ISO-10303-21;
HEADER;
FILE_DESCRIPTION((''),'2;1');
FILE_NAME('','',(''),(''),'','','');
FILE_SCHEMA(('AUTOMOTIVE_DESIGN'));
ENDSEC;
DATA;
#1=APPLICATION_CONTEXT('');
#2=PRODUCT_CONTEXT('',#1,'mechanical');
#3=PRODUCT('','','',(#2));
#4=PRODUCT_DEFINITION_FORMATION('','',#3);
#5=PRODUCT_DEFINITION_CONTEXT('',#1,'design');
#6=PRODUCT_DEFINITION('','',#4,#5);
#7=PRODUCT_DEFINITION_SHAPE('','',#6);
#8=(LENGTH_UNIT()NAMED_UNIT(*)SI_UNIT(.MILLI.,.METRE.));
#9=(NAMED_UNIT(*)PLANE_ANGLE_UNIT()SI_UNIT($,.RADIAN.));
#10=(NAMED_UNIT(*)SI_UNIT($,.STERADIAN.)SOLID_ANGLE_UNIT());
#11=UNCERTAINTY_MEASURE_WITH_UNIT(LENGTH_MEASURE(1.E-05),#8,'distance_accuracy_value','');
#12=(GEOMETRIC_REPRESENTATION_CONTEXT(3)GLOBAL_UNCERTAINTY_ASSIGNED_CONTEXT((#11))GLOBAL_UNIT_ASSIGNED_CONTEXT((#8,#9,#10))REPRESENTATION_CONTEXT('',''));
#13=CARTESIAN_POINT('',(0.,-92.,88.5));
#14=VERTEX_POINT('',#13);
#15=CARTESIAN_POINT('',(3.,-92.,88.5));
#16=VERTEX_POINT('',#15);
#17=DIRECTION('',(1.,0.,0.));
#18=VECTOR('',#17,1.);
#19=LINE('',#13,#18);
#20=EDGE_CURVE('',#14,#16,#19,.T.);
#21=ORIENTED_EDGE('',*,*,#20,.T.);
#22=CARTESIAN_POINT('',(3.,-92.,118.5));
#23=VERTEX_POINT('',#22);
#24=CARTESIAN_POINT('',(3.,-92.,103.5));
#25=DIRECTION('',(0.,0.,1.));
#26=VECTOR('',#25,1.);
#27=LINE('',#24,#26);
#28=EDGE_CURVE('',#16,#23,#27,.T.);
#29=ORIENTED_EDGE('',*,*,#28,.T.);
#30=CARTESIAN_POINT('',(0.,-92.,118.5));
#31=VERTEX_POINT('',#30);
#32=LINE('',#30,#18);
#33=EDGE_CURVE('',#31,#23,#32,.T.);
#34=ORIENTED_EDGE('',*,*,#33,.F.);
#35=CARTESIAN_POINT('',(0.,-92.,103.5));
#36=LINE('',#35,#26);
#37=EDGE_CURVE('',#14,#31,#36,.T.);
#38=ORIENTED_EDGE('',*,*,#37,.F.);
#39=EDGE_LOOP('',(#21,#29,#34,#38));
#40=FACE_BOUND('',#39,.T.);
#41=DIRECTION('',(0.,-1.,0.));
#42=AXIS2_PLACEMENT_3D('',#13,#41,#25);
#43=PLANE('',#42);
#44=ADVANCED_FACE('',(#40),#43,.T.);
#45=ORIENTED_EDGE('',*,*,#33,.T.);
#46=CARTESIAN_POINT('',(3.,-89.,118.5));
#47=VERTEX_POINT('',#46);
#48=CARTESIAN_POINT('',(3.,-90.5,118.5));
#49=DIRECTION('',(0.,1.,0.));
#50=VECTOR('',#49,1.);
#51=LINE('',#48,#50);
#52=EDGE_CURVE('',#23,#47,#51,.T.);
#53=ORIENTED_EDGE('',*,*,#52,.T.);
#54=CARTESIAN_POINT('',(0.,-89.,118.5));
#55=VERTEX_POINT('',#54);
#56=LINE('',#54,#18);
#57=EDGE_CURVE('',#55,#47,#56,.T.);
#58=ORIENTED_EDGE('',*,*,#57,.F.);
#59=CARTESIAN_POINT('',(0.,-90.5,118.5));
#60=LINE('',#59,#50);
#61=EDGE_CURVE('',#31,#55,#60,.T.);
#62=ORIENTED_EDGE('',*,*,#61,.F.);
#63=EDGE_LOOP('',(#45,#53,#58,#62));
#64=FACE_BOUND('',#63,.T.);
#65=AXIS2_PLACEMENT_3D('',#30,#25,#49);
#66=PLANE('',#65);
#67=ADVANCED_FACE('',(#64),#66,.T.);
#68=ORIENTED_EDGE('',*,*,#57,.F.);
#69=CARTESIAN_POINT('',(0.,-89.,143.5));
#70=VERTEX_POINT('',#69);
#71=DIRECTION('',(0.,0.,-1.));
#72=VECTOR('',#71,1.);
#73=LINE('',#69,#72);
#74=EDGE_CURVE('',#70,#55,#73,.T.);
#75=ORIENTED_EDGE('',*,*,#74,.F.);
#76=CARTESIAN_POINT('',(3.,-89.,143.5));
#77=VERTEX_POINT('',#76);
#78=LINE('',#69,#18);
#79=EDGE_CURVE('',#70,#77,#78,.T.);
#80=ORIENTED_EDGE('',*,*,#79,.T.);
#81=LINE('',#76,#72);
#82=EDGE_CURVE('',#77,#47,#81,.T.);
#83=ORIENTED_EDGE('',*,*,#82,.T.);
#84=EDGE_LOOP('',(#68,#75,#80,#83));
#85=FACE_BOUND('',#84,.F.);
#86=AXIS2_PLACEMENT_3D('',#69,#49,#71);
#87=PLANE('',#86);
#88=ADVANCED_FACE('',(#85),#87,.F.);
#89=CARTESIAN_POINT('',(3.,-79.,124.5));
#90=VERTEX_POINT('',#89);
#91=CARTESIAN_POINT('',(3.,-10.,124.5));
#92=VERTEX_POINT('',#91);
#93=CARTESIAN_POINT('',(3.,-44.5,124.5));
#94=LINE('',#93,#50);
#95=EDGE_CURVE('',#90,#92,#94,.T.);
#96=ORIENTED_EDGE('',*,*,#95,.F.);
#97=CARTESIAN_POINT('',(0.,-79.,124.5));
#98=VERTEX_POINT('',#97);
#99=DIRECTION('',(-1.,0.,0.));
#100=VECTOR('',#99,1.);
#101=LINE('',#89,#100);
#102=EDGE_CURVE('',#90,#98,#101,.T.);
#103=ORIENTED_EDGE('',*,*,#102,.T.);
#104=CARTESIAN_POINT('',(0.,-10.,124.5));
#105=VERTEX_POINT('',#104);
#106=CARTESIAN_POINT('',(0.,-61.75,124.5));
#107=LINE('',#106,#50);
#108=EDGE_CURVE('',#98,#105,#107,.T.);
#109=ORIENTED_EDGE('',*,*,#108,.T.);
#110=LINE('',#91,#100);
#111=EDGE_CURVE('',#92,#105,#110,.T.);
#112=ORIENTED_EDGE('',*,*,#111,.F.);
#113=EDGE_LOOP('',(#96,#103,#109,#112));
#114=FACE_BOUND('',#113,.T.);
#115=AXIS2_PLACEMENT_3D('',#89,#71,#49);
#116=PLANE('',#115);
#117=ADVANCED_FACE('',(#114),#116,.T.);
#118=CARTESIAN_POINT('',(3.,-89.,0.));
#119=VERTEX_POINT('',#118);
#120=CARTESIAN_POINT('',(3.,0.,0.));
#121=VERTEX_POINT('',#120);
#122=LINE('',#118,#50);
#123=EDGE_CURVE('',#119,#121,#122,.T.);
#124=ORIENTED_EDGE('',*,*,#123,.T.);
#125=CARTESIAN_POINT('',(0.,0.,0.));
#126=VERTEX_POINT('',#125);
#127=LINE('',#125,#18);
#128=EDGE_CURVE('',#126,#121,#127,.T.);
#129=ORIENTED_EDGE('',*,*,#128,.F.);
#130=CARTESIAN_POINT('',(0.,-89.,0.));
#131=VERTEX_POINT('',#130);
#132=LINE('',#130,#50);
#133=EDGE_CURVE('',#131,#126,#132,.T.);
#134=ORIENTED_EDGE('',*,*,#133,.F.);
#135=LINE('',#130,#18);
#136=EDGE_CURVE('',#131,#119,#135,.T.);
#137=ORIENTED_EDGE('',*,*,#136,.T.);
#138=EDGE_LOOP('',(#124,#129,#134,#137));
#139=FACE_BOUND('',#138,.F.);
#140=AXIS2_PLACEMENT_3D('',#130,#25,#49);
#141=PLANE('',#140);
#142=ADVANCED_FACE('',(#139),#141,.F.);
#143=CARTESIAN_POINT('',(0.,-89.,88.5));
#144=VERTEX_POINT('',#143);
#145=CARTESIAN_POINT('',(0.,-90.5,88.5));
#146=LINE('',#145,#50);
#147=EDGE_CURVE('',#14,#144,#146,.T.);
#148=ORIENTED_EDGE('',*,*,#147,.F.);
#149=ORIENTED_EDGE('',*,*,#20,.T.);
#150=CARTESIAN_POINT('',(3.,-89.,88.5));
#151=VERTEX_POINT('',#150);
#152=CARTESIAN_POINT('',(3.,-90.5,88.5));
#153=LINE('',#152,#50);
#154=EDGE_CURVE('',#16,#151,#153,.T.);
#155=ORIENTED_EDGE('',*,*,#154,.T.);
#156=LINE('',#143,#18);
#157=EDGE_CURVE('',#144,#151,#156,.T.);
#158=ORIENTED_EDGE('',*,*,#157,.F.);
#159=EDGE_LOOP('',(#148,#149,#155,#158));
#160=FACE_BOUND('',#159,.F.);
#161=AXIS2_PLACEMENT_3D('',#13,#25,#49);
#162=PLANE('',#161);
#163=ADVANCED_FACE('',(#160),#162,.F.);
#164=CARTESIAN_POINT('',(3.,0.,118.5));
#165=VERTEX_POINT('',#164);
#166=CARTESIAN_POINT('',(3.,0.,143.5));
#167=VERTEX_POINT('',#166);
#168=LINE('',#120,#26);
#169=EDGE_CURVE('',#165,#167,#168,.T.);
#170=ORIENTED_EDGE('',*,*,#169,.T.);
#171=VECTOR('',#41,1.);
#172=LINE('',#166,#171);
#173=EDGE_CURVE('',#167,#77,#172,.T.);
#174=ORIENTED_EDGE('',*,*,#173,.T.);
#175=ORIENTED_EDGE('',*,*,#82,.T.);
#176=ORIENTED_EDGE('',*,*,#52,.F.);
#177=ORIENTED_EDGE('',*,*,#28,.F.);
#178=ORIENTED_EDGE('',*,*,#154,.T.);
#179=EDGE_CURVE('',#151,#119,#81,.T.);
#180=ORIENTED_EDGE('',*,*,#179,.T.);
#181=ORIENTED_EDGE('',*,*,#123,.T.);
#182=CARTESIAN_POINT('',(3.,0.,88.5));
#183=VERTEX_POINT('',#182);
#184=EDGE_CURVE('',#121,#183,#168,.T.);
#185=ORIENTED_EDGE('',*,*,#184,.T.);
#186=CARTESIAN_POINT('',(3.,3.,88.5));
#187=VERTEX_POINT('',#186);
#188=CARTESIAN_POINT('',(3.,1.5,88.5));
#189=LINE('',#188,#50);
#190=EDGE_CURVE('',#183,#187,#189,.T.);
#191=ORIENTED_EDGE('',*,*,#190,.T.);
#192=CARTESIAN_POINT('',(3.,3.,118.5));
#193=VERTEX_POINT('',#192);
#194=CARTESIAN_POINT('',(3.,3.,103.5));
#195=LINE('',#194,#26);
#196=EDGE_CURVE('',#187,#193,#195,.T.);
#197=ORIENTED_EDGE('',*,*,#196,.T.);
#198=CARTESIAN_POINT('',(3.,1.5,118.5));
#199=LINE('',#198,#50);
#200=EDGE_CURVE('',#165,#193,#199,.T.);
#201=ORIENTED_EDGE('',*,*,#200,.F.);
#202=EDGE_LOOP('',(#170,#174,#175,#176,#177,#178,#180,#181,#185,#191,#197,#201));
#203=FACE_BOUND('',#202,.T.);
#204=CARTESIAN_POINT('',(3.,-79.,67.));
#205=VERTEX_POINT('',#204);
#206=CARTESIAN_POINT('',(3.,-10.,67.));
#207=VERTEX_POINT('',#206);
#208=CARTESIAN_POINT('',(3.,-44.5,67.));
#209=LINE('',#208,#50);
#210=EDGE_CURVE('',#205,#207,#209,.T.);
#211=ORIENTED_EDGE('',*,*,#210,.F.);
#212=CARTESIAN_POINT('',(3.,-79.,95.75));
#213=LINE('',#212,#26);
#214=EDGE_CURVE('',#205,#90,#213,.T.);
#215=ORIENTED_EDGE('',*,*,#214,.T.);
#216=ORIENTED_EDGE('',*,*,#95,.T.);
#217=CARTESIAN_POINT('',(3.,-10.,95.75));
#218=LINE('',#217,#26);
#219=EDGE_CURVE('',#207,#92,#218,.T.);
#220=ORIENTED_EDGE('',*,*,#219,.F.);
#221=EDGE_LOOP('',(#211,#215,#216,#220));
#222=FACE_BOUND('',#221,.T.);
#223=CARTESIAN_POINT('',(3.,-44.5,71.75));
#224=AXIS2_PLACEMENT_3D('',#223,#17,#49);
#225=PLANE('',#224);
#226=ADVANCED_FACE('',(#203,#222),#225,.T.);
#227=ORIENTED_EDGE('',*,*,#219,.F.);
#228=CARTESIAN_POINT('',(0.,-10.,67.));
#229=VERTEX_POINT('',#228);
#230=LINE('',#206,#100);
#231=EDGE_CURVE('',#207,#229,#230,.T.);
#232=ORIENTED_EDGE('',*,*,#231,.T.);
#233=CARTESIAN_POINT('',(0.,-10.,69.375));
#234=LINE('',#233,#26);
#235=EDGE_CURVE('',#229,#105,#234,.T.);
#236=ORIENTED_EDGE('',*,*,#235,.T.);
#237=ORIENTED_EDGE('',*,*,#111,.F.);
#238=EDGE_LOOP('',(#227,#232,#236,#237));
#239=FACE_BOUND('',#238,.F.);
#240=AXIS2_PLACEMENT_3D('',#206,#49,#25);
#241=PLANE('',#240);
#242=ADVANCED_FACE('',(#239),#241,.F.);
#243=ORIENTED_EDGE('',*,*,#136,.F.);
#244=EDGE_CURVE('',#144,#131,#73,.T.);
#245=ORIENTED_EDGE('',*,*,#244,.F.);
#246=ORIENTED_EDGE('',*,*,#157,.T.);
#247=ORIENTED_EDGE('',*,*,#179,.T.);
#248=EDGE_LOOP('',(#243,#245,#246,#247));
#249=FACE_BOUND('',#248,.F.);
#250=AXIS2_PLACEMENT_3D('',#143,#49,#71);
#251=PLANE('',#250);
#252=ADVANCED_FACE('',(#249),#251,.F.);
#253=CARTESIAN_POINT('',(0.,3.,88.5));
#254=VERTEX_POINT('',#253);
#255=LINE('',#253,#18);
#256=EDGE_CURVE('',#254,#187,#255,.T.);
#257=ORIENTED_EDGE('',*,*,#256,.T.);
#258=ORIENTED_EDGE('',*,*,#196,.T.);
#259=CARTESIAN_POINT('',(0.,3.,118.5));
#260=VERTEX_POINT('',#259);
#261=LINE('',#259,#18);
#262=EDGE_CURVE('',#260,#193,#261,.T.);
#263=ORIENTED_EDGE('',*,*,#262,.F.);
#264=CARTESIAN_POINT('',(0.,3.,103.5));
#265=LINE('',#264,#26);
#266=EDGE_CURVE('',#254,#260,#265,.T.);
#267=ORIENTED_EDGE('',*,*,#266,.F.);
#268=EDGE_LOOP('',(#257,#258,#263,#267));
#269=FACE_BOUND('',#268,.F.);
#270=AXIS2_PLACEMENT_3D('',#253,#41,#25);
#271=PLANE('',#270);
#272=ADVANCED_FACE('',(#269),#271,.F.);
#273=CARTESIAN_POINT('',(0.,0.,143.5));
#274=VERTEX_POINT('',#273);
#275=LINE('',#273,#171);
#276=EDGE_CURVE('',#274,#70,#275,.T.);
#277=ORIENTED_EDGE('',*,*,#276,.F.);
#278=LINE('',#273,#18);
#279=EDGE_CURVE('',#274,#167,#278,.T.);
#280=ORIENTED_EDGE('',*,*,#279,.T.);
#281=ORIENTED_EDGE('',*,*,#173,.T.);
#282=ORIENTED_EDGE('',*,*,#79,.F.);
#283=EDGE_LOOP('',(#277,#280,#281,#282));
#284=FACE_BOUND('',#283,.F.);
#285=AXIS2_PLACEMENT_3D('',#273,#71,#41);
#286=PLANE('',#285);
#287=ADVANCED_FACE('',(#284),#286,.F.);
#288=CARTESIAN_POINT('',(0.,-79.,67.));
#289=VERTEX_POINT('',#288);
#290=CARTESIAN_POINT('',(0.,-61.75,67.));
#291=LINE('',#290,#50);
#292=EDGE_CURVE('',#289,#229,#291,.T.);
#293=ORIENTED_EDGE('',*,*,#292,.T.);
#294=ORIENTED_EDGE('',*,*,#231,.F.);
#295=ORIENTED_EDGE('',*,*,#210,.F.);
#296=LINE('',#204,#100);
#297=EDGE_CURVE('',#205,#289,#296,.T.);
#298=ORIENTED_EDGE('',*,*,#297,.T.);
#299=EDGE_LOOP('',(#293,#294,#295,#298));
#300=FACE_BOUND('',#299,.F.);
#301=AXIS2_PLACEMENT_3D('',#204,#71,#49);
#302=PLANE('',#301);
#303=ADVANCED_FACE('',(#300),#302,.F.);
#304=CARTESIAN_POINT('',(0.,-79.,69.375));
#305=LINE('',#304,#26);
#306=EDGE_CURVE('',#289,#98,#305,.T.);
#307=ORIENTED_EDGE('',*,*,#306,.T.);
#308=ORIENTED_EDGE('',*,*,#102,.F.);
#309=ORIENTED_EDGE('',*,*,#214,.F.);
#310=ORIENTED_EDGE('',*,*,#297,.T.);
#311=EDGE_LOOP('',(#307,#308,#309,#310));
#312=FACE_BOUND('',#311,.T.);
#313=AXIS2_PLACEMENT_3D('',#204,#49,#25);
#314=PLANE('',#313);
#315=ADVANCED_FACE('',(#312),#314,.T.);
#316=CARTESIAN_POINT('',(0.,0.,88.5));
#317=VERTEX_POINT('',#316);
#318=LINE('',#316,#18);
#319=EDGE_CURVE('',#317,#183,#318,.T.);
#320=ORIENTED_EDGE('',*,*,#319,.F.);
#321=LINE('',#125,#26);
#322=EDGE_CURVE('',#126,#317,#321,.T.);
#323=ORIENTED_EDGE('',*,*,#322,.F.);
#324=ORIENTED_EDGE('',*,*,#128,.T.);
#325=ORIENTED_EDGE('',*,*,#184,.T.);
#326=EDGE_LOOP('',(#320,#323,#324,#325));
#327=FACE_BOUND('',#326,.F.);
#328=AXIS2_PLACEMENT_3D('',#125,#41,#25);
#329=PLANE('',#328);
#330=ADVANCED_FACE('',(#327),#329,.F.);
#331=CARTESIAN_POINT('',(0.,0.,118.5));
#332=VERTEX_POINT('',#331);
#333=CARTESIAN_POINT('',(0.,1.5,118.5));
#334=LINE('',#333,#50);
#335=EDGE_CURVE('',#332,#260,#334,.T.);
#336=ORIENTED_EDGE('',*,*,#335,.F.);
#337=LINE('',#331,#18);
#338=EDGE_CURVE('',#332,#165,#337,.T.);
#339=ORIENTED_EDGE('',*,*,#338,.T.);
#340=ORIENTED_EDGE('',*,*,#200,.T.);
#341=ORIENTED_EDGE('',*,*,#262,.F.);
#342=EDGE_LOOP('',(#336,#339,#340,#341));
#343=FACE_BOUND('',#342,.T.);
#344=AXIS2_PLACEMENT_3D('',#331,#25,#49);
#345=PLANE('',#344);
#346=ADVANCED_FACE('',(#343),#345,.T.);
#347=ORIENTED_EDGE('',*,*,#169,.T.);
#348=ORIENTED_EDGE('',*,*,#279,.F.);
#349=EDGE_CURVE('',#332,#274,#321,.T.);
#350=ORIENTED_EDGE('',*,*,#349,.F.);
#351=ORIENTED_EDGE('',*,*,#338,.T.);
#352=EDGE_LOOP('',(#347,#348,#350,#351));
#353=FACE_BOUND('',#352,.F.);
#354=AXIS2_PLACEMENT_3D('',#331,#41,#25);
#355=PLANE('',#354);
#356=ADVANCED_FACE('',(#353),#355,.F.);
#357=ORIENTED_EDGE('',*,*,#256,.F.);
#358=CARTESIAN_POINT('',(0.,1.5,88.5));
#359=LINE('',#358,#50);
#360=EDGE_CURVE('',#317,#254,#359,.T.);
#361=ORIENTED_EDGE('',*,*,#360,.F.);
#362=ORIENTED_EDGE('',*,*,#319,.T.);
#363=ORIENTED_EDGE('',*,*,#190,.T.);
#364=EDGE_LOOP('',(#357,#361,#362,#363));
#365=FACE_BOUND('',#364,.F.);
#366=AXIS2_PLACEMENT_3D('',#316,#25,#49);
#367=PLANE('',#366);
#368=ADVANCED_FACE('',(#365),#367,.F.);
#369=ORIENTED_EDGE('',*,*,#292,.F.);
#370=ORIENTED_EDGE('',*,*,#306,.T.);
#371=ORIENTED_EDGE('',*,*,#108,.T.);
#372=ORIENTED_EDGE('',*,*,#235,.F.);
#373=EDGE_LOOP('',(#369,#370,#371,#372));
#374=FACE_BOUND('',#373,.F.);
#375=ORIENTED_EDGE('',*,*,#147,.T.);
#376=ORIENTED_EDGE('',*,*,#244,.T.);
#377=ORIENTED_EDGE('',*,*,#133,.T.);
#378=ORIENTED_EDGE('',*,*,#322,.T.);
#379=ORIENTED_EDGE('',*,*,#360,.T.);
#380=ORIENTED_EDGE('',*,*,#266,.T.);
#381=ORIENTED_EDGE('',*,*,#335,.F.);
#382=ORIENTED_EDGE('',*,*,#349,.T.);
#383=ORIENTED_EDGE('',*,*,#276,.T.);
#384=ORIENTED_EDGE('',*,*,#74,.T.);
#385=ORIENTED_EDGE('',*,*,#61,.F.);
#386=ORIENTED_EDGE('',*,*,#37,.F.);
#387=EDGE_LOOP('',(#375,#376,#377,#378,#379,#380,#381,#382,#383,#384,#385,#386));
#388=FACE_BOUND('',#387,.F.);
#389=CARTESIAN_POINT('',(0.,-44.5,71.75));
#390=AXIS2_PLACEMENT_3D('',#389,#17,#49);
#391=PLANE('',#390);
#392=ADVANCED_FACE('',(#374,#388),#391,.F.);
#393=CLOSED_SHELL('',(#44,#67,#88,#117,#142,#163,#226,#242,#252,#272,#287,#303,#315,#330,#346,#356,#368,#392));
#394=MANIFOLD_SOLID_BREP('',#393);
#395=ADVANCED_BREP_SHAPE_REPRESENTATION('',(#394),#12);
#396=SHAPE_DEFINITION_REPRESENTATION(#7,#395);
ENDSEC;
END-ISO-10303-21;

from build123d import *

# Parameters (mm, degrees)
F0_W     = 3
F0_H     = 30
F1_DEPTH = 3
F2_W     = 69
F2_H     = 57.5
F3_DEPTH = 25


with BuildPart() as f1:
    # F0 (on Right) → F1 (new body)
    with BuildSketch(Plane.YZ):
        Polygon((-89, 0), (0, 0), (0, 88.5), (0, 118.5), (0, 143.5), (-89, 143.5), (-89, 118.5), (-89, 88.5), align=None)
        with Locations((1.5, 103.5)):
            Rectangle(F0_W, F0_H)
        with Locations((-90.5, 103.5)):
            Rectangle(F0_W, F0_H)
    extrude(amount=F1_DEPTH)

    # F2 (on face) → F3 (cut)
    with BuildSketch(Plane.YZ.offset(3)):
        with Locations((-44.5, 95.75)):
            Rectangle(F2_W, F2_H)
    extrude(amount=-F3_DEPTH, mode=Mode.SUBTRACT)


solid = f1.part
